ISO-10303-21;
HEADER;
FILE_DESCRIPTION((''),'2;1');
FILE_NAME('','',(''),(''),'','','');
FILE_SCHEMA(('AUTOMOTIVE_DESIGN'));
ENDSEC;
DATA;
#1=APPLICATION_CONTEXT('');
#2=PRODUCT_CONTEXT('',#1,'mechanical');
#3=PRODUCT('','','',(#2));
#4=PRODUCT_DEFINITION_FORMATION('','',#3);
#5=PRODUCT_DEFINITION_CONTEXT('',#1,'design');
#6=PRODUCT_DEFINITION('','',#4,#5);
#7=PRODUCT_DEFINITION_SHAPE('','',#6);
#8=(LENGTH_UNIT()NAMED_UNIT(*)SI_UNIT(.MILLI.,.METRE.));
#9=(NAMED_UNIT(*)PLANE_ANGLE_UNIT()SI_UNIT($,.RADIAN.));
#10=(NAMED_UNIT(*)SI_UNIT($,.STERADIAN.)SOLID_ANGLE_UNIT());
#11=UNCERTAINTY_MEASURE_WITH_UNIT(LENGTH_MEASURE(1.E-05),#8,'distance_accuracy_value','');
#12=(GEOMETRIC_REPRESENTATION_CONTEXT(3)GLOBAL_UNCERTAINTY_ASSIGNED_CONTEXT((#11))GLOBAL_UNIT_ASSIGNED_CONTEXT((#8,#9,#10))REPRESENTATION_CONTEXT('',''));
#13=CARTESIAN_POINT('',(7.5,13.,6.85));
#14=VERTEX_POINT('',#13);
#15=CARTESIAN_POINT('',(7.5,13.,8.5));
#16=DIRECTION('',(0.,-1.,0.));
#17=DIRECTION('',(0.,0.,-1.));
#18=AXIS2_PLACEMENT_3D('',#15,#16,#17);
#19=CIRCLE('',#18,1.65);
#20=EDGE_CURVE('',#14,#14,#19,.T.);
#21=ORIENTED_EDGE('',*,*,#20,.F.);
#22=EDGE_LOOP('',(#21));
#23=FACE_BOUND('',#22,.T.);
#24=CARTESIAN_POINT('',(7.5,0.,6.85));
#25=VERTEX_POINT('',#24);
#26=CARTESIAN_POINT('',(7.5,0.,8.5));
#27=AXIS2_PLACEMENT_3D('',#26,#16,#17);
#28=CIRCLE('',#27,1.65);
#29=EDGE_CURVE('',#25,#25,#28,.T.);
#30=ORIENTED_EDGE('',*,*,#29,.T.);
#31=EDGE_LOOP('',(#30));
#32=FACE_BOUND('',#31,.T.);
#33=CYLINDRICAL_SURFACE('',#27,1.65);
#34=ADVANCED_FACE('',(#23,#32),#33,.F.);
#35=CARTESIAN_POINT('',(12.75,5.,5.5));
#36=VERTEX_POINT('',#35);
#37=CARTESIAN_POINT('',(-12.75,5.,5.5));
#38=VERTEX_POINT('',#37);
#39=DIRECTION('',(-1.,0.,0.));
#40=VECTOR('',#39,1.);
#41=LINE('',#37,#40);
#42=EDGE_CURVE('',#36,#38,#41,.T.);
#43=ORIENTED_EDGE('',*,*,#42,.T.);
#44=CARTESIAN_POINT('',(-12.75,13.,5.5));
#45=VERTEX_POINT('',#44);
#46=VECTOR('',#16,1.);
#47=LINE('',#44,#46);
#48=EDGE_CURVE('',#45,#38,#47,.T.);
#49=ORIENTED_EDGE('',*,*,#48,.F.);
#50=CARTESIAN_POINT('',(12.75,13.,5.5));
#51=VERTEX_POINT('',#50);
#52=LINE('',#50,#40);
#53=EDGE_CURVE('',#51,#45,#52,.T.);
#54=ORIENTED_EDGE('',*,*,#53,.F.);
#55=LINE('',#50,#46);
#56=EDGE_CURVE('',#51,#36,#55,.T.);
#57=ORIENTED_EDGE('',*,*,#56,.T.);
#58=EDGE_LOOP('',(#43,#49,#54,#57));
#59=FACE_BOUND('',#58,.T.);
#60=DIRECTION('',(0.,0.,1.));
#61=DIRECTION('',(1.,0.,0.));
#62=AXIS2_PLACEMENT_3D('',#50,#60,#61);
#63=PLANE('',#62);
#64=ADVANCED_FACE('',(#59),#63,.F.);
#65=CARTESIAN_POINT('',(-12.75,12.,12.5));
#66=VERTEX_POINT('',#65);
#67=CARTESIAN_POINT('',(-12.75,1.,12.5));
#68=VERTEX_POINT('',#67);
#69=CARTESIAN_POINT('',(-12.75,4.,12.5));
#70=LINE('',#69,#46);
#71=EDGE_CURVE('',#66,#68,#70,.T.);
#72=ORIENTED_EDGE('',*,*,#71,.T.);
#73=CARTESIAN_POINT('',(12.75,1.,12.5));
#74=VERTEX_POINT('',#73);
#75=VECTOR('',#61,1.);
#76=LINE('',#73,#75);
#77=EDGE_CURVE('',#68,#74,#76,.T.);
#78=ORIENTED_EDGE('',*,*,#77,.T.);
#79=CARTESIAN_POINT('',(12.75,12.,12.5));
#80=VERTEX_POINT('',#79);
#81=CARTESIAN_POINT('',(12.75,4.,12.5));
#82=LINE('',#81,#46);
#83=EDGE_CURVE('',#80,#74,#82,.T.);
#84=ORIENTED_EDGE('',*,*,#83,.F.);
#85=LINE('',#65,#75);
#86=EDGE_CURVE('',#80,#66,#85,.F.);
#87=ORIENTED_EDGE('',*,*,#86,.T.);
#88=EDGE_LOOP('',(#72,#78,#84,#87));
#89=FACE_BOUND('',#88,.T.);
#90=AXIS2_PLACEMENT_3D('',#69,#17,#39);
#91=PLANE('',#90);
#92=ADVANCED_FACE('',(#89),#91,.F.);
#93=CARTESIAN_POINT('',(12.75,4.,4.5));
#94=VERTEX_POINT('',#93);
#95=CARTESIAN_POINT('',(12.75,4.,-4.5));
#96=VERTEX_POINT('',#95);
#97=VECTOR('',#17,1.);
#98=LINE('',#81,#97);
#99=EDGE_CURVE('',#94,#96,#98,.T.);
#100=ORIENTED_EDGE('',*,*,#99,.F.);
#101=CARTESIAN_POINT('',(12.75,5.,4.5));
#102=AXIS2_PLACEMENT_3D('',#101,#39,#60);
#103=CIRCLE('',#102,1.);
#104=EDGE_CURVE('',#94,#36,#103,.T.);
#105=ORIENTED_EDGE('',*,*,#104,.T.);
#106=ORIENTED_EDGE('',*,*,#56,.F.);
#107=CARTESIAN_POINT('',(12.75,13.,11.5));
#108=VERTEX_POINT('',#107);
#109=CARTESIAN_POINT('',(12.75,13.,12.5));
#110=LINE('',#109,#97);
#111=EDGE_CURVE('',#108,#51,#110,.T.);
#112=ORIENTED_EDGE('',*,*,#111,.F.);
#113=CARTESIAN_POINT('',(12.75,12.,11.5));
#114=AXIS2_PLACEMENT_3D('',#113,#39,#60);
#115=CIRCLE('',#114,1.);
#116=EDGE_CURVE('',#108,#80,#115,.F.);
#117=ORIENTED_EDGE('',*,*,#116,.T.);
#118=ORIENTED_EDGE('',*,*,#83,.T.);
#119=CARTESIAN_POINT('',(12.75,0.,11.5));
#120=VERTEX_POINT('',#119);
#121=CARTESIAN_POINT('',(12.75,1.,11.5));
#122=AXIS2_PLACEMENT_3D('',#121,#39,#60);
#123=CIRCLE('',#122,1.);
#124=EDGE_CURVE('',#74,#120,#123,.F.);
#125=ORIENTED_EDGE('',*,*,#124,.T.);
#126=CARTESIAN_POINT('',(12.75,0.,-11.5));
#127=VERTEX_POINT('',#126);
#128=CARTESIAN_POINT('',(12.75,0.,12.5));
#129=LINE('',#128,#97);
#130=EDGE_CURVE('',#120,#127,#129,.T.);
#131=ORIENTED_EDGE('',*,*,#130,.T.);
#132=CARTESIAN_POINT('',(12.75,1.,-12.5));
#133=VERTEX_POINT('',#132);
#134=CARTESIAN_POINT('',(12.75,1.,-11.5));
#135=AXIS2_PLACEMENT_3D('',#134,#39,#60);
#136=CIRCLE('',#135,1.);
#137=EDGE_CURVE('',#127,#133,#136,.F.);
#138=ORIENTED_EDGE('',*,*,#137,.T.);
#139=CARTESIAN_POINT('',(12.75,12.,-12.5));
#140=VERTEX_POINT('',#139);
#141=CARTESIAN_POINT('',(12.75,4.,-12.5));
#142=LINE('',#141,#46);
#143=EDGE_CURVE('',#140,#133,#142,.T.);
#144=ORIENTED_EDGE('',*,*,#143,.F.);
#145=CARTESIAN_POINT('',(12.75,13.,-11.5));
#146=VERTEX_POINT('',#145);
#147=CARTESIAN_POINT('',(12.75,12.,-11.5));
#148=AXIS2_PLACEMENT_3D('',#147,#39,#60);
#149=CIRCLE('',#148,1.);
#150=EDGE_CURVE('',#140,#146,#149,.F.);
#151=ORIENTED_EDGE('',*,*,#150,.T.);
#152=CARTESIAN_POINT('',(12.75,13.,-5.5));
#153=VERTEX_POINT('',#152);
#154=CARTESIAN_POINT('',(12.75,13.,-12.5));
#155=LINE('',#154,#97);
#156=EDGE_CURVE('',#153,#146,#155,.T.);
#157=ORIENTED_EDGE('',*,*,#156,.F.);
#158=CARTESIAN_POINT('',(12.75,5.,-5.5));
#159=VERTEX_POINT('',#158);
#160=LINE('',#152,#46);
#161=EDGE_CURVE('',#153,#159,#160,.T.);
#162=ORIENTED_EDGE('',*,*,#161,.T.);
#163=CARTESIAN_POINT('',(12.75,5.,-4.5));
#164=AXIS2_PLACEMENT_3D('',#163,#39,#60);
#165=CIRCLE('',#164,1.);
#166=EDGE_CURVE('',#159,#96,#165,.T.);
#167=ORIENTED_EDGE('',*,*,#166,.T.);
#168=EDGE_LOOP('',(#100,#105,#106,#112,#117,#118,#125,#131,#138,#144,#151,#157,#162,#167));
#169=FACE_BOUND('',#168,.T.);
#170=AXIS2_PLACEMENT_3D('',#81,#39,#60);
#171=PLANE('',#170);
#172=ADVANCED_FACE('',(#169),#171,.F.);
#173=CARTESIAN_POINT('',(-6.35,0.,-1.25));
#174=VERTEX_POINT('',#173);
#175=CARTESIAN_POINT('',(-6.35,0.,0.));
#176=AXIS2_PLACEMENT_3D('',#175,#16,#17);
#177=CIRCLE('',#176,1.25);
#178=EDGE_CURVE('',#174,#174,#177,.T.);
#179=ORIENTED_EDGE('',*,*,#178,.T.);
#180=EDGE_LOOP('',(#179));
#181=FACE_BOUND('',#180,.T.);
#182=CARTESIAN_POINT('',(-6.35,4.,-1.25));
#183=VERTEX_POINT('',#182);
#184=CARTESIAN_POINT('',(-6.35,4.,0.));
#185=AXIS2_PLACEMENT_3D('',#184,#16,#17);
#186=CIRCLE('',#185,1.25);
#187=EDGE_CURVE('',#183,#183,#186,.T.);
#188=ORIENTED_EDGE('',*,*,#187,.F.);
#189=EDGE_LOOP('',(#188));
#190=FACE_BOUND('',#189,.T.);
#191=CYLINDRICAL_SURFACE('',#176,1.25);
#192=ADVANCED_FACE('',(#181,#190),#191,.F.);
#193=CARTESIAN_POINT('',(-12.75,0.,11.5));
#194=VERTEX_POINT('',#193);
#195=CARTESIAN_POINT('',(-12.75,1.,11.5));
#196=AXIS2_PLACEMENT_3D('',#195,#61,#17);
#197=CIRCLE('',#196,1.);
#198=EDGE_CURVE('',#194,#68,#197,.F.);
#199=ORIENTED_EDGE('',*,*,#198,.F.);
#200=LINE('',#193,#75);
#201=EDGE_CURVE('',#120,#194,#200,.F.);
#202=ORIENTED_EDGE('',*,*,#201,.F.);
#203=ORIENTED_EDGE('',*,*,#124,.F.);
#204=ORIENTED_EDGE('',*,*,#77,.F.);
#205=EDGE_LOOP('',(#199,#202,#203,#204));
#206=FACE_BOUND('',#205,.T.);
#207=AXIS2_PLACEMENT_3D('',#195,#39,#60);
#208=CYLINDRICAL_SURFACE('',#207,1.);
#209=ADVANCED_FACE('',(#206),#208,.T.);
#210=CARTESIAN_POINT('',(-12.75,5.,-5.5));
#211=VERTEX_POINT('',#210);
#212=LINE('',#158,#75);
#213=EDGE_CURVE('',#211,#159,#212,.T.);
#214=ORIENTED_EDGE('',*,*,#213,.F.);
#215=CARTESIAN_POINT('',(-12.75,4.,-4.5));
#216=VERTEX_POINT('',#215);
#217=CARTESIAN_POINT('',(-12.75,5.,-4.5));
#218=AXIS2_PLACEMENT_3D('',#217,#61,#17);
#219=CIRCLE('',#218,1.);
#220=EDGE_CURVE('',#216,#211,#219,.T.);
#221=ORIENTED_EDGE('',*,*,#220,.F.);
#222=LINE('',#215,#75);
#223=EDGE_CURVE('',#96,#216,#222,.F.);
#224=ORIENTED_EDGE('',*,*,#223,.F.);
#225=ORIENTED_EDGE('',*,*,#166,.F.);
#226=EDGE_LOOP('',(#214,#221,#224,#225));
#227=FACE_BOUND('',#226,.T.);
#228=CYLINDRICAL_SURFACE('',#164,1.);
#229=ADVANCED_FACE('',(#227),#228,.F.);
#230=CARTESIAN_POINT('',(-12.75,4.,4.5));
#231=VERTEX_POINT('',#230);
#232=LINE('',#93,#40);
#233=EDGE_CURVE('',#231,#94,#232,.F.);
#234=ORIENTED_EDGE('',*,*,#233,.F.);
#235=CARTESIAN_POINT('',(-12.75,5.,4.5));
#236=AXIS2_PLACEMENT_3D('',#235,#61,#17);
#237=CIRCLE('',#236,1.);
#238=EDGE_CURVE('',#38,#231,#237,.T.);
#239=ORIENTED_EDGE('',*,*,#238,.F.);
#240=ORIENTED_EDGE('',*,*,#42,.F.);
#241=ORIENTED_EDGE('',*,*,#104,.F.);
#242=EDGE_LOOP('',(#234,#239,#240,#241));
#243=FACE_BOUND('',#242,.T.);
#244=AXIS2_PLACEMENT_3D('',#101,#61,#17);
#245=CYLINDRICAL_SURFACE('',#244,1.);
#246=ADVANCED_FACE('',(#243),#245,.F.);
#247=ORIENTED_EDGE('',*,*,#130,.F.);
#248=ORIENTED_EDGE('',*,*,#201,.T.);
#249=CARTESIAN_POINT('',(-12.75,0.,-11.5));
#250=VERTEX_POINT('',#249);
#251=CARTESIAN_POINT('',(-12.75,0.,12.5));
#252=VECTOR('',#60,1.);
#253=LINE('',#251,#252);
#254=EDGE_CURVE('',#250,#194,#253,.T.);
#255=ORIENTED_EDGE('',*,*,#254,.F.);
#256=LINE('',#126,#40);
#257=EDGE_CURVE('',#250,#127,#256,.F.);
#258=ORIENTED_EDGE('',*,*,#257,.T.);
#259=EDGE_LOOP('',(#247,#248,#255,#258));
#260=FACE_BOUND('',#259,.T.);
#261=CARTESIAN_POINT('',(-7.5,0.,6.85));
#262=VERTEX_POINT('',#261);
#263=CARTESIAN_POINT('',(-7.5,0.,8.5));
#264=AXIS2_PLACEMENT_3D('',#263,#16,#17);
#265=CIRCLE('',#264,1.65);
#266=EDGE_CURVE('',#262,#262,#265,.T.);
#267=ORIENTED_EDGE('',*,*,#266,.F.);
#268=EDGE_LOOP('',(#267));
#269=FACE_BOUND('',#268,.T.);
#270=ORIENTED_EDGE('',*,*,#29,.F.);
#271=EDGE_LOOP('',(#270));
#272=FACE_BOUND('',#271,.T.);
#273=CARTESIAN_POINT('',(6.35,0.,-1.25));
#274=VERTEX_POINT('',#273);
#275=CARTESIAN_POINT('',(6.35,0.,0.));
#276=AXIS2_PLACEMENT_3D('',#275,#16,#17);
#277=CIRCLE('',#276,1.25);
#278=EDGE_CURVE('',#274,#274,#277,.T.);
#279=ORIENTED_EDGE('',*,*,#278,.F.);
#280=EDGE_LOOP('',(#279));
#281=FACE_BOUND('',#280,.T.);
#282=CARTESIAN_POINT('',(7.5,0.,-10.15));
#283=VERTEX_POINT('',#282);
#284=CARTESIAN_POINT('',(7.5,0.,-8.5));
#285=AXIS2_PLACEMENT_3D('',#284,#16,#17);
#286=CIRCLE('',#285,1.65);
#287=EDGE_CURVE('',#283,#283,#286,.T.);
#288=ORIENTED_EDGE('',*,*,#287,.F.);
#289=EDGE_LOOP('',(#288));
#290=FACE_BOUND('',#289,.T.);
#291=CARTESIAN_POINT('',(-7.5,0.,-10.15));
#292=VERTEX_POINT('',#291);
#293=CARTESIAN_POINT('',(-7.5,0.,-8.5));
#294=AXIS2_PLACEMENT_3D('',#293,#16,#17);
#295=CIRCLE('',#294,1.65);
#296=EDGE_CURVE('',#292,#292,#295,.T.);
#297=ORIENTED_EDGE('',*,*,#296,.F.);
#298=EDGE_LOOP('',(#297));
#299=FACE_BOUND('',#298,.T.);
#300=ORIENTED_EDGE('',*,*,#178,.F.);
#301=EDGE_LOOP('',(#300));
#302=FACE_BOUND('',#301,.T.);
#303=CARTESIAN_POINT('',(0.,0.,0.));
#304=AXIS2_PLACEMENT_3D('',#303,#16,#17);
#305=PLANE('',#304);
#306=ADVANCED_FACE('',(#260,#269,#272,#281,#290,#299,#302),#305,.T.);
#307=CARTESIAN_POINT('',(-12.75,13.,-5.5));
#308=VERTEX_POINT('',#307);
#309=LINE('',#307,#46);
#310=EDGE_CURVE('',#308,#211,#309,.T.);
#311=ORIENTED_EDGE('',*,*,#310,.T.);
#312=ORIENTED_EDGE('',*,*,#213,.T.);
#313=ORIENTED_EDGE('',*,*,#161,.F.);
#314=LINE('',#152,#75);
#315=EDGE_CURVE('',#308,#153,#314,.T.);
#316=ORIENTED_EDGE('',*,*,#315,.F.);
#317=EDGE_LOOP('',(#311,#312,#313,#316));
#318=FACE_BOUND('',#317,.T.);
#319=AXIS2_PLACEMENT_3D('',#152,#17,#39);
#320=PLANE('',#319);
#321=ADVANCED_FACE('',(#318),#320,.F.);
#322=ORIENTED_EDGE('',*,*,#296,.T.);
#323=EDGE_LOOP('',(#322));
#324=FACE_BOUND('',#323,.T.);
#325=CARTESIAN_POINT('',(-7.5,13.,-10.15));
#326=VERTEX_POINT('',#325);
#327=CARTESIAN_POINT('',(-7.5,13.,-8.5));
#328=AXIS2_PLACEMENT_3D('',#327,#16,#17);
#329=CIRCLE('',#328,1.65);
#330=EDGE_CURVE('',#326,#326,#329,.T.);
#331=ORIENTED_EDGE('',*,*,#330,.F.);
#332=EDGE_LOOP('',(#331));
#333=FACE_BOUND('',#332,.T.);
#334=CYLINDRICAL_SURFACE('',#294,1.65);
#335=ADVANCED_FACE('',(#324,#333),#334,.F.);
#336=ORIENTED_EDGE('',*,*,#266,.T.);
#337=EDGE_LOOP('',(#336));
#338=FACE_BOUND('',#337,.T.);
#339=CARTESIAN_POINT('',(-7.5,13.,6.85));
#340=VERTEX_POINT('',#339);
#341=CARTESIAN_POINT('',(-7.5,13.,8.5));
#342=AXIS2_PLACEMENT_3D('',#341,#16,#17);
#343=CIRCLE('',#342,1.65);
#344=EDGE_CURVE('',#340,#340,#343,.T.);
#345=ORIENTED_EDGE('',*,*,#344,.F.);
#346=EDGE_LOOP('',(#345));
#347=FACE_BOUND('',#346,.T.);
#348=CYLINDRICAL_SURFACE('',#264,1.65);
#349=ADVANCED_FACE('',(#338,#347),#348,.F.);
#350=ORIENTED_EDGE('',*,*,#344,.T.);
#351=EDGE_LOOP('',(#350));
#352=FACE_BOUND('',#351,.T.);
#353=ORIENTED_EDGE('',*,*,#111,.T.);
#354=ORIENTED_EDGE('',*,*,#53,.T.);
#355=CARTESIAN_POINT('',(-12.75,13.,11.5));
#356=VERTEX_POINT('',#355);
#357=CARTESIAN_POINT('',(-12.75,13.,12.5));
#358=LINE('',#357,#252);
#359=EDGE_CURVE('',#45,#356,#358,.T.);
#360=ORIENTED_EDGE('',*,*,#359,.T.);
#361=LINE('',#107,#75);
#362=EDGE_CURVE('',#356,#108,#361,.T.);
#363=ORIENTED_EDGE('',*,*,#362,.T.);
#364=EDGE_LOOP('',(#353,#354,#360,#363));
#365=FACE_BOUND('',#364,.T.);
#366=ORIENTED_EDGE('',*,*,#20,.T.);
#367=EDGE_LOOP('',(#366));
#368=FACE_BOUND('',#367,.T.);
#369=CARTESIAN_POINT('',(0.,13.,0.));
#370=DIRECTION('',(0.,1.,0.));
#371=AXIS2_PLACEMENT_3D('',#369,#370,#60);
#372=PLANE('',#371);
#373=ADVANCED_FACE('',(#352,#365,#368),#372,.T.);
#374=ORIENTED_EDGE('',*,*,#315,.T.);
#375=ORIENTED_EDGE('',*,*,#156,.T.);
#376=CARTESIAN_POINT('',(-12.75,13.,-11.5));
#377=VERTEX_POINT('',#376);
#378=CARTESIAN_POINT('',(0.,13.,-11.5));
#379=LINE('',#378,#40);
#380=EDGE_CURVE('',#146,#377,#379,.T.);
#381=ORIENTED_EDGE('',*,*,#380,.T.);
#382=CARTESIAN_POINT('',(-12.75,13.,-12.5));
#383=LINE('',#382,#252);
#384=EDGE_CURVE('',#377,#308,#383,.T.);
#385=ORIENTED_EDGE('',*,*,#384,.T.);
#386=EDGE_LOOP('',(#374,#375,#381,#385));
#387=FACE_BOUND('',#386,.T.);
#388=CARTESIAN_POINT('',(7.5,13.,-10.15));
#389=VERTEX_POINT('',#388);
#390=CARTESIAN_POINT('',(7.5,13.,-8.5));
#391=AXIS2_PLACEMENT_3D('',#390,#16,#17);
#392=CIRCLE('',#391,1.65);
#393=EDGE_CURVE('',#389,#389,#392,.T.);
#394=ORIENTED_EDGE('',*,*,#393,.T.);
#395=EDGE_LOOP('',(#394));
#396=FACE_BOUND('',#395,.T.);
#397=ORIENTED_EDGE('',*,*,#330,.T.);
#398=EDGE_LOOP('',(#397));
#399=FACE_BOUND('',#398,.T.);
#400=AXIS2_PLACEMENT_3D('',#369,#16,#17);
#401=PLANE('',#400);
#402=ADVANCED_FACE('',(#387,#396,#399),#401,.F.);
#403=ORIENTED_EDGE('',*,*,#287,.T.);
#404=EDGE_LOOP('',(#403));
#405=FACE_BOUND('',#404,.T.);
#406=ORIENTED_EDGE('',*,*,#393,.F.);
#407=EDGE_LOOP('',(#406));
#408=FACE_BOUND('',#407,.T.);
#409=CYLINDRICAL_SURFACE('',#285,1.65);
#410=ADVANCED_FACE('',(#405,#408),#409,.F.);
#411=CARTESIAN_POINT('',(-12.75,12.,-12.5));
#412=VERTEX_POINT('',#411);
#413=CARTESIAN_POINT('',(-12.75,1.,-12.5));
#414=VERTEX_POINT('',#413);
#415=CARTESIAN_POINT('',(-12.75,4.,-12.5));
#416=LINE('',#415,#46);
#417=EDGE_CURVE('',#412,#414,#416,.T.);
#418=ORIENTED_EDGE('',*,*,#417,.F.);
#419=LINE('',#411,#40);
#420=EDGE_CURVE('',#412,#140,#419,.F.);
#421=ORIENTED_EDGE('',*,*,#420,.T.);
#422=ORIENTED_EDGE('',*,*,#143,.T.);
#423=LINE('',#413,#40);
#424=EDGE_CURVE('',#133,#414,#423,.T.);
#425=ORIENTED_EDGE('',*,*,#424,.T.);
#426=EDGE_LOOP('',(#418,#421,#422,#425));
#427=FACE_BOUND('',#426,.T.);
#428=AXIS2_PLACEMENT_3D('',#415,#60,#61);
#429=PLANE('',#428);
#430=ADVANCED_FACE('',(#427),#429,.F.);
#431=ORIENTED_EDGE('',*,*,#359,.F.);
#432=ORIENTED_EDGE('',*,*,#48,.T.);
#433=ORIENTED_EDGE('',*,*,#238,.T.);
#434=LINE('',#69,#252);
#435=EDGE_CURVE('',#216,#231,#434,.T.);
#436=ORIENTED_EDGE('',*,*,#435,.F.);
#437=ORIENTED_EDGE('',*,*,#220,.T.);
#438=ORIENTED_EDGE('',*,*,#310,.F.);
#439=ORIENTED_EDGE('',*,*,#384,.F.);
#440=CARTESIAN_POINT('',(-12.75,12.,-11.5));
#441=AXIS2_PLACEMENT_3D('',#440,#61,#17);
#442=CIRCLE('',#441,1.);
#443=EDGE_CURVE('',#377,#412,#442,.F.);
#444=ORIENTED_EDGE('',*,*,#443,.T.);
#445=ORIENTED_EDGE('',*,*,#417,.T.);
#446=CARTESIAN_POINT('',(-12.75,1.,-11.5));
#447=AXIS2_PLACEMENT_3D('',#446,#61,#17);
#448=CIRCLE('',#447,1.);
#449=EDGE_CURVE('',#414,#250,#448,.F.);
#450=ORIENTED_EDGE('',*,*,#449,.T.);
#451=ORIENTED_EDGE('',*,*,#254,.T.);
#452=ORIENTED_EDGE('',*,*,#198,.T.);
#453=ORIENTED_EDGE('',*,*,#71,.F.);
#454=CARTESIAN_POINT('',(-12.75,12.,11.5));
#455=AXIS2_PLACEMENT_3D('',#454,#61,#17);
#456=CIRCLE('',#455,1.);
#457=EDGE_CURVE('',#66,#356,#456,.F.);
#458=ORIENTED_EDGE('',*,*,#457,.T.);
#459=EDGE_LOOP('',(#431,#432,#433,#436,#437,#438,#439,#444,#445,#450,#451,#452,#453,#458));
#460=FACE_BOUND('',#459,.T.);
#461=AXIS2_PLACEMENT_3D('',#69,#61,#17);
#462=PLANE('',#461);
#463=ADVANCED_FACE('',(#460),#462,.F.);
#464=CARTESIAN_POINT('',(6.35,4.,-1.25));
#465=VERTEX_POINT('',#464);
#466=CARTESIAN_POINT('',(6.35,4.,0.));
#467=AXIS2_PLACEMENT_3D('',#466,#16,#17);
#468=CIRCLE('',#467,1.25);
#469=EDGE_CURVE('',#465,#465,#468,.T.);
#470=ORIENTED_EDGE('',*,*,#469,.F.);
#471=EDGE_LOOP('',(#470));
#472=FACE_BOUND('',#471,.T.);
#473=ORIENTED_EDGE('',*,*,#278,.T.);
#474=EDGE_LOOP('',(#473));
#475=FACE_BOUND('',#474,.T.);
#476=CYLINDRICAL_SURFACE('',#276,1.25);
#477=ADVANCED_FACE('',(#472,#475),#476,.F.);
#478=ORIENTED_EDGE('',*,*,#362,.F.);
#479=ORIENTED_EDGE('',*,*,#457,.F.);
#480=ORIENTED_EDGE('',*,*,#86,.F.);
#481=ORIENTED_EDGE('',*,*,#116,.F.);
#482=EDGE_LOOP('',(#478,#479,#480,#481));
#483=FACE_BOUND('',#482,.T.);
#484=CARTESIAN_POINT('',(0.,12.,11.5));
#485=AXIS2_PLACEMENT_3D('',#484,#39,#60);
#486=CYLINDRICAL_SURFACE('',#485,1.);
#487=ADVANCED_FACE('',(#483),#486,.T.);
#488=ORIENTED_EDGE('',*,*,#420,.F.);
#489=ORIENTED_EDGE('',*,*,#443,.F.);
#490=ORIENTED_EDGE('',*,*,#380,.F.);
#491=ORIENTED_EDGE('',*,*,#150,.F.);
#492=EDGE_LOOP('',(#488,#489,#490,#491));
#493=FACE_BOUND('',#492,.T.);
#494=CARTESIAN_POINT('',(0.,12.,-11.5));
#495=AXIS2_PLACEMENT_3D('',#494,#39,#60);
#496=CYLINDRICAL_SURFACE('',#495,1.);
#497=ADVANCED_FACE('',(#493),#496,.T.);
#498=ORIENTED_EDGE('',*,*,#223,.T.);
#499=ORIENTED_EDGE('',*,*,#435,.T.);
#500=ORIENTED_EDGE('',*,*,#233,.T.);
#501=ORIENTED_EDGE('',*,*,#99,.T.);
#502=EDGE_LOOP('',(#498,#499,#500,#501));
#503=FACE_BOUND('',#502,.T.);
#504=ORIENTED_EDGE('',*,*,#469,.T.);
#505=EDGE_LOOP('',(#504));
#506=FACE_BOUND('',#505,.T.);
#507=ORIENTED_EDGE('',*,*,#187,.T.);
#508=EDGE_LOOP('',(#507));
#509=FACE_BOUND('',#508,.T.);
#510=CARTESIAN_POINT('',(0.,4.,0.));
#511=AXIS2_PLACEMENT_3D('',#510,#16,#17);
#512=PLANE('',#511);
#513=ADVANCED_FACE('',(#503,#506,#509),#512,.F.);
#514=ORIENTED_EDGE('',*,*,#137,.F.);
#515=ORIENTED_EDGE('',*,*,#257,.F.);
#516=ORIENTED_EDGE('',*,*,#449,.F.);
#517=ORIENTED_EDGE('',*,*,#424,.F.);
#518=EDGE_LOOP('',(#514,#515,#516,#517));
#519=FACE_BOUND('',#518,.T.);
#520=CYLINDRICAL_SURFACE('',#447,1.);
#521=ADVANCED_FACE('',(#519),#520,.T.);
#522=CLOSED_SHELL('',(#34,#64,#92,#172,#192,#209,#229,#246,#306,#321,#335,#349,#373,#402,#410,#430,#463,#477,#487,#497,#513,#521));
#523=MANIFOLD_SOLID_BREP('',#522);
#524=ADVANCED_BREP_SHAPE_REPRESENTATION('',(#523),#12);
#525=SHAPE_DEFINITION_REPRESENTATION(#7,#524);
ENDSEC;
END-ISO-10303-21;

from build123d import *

# Parameters (mm, degrees)
SKETCH_1_W         = 25.5
SKETCH_1_H         = 25
EXTRUDE_1_DEPTH    = 4
SKETCH_6_W         = 25.5
SKETCH_6_H         = 7
EXTRUDE_2_DEPTH    = 9
HOLE_WIZARD_M3_1_D = 2.5
HOLE_WIZARD_M4_3_D = 3.3
FILLET_1_R         = 1


with BuildPart() as part:
    # 草图1 → 凸台-拉伸1 (new body)
    with BuildSketch(Plane(origin=(0, 0, 0), x_dir=(1, 0, 0), z_dir=(0, 1, 0))):
        Rectangle(SKETCH_1_W, SKETCH_1_H)
    extrude(amount=EXTRUDE_1_DEPTH)

    # 草图6 → 凸台-拉伸2 (add)
    with BuildSketch(Plane(origin=(0, 4, 0), x_dir=(1, 0, 0), z_dir=(0, 1, 0))):
        with Locations((0, 9)):
            Rectangle(SKETCH_6_W, SKETCH_6_H)
        with Locations((0, -9)):
            Rectangle(SKETCH_6_W, SKETCH_6_H)
    extrude(amount=EXTRUDE_2_DEPTH)

    # M3 螺纹孔1 (through all)
    with Locations(Plane(origin=(6.35, 0, 0), x_dir=(0, 0, -1), z_dir=(0, -1, 0))):
        with Locations((0, 0), (0, -12.7)):
            Hole(HOLE_WIZARD_M3_1_D / 2)

    # M4 螺纹孔3 (through all)
    with Locations(Plane(origin=(7.5, 0, 8.5), x_dir=(0, 0, -1), z_dir=(0, -1, 0))):
        with Locations((0, 0), (0, -15), (17, -15), (17, 0)):
            Hole(HOLE_WIZARD_M4_3_D / 2)

    # 圆角1
    fillet_1_edges = [part.edges().sort_by_distance(p)[0] for p in [
        (0, 4, -5.5),
        (0, 13, -12.5),
        (0, 4, 5.5),
        (0, 13, 12.5),
        (0, 0, 12.5),
        (0, 0, -12.5),
    ]]
    fillet(fillet_1_edges, radius=FILLET_1_R)


solid = part.part
